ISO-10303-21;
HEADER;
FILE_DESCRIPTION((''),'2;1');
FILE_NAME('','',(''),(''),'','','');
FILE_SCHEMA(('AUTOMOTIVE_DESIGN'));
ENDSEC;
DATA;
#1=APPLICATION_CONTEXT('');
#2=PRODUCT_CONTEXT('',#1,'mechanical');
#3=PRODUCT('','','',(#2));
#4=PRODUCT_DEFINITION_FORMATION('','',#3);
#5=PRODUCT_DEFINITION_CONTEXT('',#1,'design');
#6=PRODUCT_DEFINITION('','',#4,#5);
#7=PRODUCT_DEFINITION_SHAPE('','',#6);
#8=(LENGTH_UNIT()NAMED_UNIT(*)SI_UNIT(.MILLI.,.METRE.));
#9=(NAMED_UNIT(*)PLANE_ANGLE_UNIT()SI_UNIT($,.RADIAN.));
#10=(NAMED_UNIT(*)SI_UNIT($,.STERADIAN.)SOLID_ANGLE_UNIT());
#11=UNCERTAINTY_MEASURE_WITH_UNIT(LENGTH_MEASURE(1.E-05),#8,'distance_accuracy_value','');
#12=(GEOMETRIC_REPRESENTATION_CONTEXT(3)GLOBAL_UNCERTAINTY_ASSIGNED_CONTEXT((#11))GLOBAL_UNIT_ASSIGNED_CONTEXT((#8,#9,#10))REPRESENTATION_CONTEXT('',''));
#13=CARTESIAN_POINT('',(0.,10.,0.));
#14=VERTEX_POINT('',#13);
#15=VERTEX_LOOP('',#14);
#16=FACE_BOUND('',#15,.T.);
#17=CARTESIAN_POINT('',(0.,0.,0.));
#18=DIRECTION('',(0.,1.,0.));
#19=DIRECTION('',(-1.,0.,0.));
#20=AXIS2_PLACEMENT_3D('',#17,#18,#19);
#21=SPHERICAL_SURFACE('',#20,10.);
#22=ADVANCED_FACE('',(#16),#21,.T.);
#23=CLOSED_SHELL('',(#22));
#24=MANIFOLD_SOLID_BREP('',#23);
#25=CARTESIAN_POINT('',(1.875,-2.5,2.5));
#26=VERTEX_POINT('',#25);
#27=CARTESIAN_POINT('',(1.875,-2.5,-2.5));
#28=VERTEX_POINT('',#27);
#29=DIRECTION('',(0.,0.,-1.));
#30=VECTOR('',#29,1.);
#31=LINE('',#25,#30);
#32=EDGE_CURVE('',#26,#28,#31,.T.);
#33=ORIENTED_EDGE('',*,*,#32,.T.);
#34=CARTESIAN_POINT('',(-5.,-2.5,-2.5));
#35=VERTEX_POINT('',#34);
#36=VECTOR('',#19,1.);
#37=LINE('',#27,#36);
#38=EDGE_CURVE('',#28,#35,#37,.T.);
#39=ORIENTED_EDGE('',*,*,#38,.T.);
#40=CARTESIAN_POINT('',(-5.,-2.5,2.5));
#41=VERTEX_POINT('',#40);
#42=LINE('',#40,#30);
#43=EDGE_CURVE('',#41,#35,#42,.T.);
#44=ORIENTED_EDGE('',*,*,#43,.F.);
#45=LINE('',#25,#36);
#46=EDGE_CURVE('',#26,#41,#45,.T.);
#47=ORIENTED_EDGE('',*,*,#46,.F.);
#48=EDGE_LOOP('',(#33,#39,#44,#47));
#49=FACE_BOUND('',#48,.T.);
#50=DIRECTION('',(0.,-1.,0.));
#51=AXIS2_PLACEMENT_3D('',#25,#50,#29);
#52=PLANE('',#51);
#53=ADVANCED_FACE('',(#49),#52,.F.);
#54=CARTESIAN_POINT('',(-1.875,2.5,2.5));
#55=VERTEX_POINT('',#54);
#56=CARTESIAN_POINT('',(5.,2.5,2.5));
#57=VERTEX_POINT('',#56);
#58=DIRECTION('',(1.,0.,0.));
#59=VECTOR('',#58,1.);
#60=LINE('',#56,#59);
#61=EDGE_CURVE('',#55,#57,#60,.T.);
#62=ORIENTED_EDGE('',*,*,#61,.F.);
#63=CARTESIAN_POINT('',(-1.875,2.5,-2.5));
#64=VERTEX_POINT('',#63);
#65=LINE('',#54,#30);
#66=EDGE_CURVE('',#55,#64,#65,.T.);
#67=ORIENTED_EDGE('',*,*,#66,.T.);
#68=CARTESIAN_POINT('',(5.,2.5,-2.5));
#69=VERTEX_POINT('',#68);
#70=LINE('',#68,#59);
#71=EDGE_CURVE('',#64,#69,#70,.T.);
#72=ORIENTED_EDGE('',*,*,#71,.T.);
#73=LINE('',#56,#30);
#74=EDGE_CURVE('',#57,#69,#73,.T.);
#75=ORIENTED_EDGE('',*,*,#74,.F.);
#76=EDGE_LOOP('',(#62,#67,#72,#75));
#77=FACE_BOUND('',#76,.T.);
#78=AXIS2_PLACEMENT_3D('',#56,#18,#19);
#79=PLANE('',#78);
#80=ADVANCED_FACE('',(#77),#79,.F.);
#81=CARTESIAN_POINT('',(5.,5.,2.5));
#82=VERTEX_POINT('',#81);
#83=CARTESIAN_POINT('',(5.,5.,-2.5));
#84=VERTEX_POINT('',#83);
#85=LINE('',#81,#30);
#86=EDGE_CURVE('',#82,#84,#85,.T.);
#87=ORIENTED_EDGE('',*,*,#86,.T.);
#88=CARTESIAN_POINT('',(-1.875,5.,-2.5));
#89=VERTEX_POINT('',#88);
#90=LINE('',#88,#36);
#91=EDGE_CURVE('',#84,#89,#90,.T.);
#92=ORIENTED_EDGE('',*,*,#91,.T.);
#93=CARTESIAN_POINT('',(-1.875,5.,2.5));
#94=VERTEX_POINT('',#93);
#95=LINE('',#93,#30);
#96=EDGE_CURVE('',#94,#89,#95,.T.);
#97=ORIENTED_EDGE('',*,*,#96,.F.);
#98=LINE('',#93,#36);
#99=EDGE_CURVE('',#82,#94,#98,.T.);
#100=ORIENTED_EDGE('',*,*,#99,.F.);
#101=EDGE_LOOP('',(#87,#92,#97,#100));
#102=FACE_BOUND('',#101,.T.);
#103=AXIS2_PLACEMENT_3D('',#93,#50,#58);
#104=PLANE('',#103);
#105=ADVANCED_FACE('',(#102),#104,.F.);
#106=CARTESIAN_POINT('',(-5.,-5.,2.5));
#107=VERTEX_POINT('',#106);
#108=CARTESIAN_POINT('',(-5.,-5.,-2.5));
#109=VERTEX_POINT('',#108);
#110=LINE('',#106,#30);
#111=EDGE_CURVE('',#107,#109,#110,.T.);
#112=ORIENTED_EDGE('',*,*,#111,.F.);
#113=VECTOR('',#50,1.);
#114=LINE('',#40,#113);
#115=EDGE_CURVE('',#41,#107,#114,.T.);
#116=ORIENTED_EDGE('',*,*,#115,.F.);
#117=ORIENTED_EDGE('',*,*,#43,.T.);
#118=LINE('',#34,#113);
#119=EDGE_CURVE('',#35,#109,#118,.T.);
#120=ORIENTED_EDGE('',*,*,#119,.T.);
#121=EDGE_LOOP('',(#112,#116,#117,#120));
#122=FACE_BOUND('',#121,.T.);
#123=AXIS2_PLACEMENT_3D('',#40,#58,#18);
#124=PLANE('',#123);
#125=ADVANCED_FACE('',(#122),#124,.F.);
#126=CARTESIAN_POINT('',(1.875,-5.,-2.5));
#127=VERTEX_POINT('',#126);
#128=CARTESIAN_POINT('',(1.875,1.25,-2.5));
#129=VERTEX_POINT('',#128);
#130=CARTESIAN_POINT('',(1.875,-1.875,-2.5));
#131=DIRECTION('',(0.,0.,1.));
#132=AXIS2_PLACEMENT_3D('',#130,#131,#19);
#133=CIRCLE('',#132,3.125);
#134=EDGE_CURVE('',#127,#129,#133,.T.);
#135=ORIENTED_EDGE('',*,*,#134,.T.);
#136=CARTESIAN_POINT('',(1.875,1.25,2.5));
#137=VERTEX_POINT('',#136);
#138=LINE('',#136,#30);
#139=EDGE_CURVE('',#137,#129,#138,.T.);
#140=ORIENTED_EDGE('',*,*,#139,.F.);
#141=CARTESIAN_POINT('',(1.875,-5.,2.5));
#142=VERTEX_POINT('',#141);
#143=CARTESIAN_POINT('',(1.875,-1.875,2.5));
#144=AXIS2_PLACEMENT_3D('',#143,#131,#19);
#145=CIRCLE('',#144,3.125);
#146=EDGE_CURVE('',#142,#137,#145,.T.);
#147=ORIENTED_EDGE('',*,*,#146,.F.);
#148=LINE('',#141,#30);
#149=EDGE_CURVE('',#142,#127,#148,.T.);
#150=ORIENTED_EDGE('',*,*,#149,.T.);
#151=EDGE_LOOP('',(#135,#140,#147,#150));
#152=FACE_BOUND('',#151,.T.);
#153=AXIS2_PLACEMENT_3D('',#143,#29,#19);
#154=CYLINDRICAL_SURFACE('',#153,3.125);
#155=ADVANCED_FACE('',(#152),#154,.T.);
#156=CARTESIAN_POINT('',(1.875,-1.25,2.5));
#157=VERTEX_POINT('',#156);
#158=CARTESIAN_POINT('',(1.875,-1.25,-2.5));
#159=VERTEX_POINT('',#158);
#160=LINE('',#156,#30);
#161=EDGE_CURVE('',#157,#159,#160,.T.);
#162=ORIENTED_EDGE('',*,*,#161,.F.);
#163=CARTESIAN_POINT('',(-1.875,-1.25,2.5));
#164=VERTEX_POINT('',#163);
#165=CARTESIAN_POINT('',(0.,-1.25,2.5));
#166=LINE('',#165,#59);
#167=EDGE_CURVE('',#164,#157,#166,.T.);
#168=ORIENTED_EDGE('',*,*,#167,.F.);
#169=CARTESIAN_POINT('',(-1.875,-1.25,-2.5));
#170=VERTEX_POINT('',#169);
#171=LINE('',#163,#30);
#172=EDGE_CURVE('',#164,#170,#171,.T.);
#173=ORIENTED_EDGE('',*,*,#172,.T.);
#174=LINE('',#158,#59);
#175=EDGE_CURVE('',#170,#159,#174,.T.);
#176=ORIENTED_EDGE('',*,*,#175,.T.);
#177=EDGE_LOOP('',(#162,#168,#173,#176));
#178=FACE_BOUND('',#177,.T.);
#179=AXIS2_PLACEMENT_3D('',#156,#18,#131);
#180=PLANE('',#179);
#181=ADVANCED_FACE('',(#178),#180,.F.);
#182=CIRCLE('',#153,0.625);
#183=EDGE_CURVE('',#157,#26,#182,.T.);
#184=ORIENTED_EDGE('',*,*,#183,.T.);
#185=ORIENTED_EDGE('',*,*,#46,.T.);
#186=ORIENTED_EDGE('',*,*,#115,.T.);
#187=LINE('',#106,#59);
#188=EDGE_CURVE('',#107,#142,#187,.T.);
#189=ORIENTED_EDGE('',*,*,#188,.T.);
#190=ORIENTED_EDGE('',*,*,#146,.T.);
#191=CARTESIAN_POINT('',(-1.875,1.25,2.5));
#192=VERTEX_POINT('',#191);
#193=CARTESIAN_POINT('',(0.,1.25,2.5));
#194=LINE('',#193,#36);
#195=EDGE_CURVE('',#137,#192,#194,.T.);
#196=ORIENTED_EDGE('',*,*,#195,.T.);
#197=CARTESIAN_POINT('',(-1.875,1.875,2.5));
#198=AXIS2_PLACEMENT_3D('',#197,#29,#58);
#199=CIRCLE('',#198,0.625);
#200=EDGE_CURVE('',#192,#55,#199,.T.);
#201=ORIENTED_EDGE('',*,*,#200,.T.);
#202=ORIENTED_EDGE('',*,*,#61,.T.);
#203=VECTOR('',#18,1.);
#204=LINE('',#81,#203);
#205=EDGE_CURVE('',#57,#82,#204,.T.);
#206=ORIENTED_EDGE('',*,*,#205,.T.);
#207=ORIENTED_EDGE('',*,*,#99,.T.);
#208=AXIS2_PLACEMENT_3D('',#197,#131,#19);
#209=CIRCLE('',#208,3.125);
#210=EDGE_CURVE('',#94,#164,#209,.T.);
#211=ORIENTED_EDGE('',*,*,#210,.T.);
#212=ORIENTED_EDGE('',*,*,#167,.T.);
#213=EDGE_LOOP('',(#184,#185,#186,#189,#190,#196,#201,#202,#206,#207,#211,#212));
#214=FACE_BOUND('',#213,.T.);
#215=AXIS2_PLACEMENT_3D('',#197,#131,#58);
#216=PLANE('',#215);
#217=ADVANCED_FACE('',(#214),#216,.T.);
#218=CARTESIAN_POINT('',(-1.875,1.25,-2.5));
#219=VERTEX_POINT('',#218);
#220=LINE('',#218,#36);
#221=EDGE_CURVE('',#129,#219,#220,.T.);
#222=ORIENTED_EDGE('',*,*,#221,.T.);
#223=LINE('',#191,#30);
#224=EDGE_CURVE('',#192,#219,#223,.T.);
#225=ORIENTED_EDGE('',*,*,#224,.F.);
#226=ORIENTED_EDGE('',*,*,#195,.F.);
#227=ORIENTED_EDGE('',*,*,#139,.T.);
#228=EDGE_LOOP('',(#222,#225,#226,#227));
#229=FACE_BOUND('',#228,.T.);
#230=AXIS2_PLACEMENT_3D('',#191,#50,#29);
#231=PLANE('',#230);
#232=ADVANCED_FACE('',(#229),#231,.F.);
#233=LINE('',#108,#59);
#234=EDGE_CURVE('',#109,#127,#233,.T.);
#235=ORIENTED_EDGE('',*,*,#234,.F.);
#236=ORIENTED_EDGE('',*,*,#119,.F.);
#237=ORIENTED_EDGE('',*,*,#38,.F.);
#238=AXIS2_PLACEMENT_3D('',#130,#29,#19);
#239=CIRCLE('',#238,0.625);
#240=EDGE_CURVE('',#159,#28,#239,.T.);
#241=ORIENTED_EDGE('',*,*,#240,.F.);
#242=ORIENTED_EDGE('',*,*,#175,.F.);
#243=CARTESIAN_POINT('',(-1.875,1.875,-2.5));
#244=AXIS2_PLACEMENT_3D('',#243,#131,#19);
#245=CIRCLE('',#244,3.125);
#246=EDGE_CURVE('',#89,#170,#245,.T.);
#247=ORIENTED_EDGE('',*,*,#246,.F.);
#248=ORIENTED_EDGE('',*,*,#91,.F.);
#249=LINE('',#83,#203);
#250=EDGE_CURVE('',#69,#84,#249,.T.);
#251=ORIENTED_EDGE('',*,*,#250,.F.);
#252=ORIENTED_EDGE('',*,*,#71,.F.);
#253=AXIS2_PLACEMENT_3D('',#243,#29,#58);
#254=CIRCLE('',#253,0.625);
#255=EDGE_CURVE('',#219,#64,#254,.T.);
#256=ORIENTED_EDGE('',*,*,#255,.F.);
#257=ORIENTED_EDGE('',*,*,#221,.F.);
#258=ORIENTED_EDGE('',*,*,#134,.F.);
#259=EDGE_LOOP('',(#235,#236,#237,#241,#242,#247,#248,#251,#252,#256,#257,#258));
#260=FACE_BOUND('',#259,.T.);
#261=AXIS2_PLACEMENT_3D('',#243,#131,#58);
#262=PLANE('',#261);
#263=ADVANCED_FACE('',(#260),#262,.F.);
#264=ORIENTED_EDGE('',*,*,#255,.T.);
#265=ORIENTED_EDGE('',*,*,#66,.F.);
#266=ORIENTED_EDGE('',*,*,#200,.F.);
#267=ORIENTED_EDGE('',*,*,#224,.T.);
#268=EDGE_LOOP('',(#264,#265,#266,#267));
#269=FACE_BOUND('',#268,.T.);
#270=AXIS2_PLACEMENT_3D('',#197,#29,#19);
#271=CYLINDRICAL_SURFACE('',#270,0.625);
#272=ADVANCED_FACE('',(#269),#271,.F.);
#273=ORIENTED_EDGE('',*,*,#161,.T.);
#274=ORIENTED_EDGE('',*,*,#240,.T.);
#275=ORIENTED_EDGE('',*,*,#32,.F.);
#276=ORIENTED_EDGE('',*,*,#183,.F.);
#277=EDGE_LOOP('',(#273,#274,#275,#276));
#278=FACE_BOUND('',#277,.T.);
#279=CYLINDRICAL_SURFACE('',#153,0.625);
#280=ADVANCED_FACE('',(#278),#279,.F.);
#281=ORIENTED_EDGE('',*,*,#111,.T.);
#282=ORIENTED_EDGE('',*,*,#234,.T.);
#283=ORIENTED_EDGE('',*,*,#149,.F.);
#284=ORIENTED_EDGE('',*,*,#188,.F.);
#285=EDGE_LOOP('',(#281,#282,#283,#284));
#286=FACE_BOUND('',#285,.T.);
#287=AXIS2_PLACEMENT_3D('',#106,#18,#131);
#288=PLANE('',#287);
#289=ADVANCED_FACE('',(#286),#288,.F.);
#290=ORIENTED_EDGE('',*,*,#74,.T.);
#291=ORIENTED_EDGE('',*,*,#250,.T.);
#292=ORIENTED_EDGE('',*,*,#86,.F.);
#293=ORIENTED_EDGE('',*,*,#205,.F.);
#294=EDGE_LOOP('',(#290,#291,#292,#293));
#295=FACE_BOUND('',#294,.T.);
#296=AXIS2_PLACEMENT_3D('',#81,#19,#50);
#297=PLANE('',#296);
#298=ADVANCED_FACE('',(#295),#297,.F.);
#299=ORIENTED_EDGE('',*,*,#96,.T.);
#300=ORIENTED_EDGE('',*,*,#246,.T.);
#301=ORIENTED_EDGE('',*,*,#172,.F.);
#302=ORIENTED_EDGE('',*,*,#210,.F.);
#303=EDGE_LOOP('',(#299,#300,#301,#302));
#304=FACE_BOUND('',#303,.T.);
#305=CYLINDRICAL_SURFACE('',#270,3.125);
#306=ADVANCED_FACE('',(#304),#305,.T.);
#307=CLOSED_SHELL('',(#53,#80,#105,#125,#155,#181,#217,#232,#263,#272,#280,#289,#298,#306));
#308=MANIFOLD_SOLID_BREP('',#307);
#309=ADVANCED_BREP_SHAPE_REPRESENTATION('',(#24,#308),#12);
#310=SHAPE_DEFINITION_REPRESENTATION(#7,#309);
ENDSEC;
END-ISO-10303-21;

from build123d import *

# Parameters (mm, degrees)
AUFSATZ_LINEAR_AUSTRAGEN1_DEPTH = 2.5


with BuildPart() as part:
    # Skizze1 → Aufsatz-Linear austragen1 (new body, symmetric)
    with BuildSketch(Plane.XY):
        with BuildLine():
            Line((1.875, -1.25), (0, -1.25))
            Line((0, -1.25), (-1.875, -1.25))
            ThreePointArc((-1.875, -1.25), (-5, 1.875), (-1.875, 5))
            Line((-1.875, 5), (5, 5))
            Line((5, 5), (5, 2.5))
            Line((5, 2.5), (-1.875, 2.5))
            ThreePointArc((-1.875, 2.5), (-2.5, 1.875), (-1.875, 1.25))
            Line((-1.875, 1.25), (0, 1.25))
            Line((0, 1.25), (1.875, 1.25))
            ThreePointArc((1.875, 1.25), (5, -1.875), (1.875, -5))
            Line((1.875, -5), (-5, -5))
            Line((-5, -5), (-5, -2.5))
            Line((-5, -2.5), (1.875, -2.5))
            ThreePointArc((1.875, -2.5), (2.5, -1.875), (1.875, -1.25))
        make_face()
    extrude(amount=AUFSATZ_LINEAR_AUSTRAGEN1_DEPTH, both=True)


with BuildPart() as body_2:
    # Skizze2 → Rotation1 (revolve)
    with BuildSketch(Plane.XY):
        with BuildLine():
            Line((0, 10), (0, -10))
            ThreePointArc((0, -10), (-10, 0), (0, 10))
        make_face()
    revolve(axis=Axis((0, 10, 0), (0, -1, 0)))


solid = Compound([part.part, body_2.part])
